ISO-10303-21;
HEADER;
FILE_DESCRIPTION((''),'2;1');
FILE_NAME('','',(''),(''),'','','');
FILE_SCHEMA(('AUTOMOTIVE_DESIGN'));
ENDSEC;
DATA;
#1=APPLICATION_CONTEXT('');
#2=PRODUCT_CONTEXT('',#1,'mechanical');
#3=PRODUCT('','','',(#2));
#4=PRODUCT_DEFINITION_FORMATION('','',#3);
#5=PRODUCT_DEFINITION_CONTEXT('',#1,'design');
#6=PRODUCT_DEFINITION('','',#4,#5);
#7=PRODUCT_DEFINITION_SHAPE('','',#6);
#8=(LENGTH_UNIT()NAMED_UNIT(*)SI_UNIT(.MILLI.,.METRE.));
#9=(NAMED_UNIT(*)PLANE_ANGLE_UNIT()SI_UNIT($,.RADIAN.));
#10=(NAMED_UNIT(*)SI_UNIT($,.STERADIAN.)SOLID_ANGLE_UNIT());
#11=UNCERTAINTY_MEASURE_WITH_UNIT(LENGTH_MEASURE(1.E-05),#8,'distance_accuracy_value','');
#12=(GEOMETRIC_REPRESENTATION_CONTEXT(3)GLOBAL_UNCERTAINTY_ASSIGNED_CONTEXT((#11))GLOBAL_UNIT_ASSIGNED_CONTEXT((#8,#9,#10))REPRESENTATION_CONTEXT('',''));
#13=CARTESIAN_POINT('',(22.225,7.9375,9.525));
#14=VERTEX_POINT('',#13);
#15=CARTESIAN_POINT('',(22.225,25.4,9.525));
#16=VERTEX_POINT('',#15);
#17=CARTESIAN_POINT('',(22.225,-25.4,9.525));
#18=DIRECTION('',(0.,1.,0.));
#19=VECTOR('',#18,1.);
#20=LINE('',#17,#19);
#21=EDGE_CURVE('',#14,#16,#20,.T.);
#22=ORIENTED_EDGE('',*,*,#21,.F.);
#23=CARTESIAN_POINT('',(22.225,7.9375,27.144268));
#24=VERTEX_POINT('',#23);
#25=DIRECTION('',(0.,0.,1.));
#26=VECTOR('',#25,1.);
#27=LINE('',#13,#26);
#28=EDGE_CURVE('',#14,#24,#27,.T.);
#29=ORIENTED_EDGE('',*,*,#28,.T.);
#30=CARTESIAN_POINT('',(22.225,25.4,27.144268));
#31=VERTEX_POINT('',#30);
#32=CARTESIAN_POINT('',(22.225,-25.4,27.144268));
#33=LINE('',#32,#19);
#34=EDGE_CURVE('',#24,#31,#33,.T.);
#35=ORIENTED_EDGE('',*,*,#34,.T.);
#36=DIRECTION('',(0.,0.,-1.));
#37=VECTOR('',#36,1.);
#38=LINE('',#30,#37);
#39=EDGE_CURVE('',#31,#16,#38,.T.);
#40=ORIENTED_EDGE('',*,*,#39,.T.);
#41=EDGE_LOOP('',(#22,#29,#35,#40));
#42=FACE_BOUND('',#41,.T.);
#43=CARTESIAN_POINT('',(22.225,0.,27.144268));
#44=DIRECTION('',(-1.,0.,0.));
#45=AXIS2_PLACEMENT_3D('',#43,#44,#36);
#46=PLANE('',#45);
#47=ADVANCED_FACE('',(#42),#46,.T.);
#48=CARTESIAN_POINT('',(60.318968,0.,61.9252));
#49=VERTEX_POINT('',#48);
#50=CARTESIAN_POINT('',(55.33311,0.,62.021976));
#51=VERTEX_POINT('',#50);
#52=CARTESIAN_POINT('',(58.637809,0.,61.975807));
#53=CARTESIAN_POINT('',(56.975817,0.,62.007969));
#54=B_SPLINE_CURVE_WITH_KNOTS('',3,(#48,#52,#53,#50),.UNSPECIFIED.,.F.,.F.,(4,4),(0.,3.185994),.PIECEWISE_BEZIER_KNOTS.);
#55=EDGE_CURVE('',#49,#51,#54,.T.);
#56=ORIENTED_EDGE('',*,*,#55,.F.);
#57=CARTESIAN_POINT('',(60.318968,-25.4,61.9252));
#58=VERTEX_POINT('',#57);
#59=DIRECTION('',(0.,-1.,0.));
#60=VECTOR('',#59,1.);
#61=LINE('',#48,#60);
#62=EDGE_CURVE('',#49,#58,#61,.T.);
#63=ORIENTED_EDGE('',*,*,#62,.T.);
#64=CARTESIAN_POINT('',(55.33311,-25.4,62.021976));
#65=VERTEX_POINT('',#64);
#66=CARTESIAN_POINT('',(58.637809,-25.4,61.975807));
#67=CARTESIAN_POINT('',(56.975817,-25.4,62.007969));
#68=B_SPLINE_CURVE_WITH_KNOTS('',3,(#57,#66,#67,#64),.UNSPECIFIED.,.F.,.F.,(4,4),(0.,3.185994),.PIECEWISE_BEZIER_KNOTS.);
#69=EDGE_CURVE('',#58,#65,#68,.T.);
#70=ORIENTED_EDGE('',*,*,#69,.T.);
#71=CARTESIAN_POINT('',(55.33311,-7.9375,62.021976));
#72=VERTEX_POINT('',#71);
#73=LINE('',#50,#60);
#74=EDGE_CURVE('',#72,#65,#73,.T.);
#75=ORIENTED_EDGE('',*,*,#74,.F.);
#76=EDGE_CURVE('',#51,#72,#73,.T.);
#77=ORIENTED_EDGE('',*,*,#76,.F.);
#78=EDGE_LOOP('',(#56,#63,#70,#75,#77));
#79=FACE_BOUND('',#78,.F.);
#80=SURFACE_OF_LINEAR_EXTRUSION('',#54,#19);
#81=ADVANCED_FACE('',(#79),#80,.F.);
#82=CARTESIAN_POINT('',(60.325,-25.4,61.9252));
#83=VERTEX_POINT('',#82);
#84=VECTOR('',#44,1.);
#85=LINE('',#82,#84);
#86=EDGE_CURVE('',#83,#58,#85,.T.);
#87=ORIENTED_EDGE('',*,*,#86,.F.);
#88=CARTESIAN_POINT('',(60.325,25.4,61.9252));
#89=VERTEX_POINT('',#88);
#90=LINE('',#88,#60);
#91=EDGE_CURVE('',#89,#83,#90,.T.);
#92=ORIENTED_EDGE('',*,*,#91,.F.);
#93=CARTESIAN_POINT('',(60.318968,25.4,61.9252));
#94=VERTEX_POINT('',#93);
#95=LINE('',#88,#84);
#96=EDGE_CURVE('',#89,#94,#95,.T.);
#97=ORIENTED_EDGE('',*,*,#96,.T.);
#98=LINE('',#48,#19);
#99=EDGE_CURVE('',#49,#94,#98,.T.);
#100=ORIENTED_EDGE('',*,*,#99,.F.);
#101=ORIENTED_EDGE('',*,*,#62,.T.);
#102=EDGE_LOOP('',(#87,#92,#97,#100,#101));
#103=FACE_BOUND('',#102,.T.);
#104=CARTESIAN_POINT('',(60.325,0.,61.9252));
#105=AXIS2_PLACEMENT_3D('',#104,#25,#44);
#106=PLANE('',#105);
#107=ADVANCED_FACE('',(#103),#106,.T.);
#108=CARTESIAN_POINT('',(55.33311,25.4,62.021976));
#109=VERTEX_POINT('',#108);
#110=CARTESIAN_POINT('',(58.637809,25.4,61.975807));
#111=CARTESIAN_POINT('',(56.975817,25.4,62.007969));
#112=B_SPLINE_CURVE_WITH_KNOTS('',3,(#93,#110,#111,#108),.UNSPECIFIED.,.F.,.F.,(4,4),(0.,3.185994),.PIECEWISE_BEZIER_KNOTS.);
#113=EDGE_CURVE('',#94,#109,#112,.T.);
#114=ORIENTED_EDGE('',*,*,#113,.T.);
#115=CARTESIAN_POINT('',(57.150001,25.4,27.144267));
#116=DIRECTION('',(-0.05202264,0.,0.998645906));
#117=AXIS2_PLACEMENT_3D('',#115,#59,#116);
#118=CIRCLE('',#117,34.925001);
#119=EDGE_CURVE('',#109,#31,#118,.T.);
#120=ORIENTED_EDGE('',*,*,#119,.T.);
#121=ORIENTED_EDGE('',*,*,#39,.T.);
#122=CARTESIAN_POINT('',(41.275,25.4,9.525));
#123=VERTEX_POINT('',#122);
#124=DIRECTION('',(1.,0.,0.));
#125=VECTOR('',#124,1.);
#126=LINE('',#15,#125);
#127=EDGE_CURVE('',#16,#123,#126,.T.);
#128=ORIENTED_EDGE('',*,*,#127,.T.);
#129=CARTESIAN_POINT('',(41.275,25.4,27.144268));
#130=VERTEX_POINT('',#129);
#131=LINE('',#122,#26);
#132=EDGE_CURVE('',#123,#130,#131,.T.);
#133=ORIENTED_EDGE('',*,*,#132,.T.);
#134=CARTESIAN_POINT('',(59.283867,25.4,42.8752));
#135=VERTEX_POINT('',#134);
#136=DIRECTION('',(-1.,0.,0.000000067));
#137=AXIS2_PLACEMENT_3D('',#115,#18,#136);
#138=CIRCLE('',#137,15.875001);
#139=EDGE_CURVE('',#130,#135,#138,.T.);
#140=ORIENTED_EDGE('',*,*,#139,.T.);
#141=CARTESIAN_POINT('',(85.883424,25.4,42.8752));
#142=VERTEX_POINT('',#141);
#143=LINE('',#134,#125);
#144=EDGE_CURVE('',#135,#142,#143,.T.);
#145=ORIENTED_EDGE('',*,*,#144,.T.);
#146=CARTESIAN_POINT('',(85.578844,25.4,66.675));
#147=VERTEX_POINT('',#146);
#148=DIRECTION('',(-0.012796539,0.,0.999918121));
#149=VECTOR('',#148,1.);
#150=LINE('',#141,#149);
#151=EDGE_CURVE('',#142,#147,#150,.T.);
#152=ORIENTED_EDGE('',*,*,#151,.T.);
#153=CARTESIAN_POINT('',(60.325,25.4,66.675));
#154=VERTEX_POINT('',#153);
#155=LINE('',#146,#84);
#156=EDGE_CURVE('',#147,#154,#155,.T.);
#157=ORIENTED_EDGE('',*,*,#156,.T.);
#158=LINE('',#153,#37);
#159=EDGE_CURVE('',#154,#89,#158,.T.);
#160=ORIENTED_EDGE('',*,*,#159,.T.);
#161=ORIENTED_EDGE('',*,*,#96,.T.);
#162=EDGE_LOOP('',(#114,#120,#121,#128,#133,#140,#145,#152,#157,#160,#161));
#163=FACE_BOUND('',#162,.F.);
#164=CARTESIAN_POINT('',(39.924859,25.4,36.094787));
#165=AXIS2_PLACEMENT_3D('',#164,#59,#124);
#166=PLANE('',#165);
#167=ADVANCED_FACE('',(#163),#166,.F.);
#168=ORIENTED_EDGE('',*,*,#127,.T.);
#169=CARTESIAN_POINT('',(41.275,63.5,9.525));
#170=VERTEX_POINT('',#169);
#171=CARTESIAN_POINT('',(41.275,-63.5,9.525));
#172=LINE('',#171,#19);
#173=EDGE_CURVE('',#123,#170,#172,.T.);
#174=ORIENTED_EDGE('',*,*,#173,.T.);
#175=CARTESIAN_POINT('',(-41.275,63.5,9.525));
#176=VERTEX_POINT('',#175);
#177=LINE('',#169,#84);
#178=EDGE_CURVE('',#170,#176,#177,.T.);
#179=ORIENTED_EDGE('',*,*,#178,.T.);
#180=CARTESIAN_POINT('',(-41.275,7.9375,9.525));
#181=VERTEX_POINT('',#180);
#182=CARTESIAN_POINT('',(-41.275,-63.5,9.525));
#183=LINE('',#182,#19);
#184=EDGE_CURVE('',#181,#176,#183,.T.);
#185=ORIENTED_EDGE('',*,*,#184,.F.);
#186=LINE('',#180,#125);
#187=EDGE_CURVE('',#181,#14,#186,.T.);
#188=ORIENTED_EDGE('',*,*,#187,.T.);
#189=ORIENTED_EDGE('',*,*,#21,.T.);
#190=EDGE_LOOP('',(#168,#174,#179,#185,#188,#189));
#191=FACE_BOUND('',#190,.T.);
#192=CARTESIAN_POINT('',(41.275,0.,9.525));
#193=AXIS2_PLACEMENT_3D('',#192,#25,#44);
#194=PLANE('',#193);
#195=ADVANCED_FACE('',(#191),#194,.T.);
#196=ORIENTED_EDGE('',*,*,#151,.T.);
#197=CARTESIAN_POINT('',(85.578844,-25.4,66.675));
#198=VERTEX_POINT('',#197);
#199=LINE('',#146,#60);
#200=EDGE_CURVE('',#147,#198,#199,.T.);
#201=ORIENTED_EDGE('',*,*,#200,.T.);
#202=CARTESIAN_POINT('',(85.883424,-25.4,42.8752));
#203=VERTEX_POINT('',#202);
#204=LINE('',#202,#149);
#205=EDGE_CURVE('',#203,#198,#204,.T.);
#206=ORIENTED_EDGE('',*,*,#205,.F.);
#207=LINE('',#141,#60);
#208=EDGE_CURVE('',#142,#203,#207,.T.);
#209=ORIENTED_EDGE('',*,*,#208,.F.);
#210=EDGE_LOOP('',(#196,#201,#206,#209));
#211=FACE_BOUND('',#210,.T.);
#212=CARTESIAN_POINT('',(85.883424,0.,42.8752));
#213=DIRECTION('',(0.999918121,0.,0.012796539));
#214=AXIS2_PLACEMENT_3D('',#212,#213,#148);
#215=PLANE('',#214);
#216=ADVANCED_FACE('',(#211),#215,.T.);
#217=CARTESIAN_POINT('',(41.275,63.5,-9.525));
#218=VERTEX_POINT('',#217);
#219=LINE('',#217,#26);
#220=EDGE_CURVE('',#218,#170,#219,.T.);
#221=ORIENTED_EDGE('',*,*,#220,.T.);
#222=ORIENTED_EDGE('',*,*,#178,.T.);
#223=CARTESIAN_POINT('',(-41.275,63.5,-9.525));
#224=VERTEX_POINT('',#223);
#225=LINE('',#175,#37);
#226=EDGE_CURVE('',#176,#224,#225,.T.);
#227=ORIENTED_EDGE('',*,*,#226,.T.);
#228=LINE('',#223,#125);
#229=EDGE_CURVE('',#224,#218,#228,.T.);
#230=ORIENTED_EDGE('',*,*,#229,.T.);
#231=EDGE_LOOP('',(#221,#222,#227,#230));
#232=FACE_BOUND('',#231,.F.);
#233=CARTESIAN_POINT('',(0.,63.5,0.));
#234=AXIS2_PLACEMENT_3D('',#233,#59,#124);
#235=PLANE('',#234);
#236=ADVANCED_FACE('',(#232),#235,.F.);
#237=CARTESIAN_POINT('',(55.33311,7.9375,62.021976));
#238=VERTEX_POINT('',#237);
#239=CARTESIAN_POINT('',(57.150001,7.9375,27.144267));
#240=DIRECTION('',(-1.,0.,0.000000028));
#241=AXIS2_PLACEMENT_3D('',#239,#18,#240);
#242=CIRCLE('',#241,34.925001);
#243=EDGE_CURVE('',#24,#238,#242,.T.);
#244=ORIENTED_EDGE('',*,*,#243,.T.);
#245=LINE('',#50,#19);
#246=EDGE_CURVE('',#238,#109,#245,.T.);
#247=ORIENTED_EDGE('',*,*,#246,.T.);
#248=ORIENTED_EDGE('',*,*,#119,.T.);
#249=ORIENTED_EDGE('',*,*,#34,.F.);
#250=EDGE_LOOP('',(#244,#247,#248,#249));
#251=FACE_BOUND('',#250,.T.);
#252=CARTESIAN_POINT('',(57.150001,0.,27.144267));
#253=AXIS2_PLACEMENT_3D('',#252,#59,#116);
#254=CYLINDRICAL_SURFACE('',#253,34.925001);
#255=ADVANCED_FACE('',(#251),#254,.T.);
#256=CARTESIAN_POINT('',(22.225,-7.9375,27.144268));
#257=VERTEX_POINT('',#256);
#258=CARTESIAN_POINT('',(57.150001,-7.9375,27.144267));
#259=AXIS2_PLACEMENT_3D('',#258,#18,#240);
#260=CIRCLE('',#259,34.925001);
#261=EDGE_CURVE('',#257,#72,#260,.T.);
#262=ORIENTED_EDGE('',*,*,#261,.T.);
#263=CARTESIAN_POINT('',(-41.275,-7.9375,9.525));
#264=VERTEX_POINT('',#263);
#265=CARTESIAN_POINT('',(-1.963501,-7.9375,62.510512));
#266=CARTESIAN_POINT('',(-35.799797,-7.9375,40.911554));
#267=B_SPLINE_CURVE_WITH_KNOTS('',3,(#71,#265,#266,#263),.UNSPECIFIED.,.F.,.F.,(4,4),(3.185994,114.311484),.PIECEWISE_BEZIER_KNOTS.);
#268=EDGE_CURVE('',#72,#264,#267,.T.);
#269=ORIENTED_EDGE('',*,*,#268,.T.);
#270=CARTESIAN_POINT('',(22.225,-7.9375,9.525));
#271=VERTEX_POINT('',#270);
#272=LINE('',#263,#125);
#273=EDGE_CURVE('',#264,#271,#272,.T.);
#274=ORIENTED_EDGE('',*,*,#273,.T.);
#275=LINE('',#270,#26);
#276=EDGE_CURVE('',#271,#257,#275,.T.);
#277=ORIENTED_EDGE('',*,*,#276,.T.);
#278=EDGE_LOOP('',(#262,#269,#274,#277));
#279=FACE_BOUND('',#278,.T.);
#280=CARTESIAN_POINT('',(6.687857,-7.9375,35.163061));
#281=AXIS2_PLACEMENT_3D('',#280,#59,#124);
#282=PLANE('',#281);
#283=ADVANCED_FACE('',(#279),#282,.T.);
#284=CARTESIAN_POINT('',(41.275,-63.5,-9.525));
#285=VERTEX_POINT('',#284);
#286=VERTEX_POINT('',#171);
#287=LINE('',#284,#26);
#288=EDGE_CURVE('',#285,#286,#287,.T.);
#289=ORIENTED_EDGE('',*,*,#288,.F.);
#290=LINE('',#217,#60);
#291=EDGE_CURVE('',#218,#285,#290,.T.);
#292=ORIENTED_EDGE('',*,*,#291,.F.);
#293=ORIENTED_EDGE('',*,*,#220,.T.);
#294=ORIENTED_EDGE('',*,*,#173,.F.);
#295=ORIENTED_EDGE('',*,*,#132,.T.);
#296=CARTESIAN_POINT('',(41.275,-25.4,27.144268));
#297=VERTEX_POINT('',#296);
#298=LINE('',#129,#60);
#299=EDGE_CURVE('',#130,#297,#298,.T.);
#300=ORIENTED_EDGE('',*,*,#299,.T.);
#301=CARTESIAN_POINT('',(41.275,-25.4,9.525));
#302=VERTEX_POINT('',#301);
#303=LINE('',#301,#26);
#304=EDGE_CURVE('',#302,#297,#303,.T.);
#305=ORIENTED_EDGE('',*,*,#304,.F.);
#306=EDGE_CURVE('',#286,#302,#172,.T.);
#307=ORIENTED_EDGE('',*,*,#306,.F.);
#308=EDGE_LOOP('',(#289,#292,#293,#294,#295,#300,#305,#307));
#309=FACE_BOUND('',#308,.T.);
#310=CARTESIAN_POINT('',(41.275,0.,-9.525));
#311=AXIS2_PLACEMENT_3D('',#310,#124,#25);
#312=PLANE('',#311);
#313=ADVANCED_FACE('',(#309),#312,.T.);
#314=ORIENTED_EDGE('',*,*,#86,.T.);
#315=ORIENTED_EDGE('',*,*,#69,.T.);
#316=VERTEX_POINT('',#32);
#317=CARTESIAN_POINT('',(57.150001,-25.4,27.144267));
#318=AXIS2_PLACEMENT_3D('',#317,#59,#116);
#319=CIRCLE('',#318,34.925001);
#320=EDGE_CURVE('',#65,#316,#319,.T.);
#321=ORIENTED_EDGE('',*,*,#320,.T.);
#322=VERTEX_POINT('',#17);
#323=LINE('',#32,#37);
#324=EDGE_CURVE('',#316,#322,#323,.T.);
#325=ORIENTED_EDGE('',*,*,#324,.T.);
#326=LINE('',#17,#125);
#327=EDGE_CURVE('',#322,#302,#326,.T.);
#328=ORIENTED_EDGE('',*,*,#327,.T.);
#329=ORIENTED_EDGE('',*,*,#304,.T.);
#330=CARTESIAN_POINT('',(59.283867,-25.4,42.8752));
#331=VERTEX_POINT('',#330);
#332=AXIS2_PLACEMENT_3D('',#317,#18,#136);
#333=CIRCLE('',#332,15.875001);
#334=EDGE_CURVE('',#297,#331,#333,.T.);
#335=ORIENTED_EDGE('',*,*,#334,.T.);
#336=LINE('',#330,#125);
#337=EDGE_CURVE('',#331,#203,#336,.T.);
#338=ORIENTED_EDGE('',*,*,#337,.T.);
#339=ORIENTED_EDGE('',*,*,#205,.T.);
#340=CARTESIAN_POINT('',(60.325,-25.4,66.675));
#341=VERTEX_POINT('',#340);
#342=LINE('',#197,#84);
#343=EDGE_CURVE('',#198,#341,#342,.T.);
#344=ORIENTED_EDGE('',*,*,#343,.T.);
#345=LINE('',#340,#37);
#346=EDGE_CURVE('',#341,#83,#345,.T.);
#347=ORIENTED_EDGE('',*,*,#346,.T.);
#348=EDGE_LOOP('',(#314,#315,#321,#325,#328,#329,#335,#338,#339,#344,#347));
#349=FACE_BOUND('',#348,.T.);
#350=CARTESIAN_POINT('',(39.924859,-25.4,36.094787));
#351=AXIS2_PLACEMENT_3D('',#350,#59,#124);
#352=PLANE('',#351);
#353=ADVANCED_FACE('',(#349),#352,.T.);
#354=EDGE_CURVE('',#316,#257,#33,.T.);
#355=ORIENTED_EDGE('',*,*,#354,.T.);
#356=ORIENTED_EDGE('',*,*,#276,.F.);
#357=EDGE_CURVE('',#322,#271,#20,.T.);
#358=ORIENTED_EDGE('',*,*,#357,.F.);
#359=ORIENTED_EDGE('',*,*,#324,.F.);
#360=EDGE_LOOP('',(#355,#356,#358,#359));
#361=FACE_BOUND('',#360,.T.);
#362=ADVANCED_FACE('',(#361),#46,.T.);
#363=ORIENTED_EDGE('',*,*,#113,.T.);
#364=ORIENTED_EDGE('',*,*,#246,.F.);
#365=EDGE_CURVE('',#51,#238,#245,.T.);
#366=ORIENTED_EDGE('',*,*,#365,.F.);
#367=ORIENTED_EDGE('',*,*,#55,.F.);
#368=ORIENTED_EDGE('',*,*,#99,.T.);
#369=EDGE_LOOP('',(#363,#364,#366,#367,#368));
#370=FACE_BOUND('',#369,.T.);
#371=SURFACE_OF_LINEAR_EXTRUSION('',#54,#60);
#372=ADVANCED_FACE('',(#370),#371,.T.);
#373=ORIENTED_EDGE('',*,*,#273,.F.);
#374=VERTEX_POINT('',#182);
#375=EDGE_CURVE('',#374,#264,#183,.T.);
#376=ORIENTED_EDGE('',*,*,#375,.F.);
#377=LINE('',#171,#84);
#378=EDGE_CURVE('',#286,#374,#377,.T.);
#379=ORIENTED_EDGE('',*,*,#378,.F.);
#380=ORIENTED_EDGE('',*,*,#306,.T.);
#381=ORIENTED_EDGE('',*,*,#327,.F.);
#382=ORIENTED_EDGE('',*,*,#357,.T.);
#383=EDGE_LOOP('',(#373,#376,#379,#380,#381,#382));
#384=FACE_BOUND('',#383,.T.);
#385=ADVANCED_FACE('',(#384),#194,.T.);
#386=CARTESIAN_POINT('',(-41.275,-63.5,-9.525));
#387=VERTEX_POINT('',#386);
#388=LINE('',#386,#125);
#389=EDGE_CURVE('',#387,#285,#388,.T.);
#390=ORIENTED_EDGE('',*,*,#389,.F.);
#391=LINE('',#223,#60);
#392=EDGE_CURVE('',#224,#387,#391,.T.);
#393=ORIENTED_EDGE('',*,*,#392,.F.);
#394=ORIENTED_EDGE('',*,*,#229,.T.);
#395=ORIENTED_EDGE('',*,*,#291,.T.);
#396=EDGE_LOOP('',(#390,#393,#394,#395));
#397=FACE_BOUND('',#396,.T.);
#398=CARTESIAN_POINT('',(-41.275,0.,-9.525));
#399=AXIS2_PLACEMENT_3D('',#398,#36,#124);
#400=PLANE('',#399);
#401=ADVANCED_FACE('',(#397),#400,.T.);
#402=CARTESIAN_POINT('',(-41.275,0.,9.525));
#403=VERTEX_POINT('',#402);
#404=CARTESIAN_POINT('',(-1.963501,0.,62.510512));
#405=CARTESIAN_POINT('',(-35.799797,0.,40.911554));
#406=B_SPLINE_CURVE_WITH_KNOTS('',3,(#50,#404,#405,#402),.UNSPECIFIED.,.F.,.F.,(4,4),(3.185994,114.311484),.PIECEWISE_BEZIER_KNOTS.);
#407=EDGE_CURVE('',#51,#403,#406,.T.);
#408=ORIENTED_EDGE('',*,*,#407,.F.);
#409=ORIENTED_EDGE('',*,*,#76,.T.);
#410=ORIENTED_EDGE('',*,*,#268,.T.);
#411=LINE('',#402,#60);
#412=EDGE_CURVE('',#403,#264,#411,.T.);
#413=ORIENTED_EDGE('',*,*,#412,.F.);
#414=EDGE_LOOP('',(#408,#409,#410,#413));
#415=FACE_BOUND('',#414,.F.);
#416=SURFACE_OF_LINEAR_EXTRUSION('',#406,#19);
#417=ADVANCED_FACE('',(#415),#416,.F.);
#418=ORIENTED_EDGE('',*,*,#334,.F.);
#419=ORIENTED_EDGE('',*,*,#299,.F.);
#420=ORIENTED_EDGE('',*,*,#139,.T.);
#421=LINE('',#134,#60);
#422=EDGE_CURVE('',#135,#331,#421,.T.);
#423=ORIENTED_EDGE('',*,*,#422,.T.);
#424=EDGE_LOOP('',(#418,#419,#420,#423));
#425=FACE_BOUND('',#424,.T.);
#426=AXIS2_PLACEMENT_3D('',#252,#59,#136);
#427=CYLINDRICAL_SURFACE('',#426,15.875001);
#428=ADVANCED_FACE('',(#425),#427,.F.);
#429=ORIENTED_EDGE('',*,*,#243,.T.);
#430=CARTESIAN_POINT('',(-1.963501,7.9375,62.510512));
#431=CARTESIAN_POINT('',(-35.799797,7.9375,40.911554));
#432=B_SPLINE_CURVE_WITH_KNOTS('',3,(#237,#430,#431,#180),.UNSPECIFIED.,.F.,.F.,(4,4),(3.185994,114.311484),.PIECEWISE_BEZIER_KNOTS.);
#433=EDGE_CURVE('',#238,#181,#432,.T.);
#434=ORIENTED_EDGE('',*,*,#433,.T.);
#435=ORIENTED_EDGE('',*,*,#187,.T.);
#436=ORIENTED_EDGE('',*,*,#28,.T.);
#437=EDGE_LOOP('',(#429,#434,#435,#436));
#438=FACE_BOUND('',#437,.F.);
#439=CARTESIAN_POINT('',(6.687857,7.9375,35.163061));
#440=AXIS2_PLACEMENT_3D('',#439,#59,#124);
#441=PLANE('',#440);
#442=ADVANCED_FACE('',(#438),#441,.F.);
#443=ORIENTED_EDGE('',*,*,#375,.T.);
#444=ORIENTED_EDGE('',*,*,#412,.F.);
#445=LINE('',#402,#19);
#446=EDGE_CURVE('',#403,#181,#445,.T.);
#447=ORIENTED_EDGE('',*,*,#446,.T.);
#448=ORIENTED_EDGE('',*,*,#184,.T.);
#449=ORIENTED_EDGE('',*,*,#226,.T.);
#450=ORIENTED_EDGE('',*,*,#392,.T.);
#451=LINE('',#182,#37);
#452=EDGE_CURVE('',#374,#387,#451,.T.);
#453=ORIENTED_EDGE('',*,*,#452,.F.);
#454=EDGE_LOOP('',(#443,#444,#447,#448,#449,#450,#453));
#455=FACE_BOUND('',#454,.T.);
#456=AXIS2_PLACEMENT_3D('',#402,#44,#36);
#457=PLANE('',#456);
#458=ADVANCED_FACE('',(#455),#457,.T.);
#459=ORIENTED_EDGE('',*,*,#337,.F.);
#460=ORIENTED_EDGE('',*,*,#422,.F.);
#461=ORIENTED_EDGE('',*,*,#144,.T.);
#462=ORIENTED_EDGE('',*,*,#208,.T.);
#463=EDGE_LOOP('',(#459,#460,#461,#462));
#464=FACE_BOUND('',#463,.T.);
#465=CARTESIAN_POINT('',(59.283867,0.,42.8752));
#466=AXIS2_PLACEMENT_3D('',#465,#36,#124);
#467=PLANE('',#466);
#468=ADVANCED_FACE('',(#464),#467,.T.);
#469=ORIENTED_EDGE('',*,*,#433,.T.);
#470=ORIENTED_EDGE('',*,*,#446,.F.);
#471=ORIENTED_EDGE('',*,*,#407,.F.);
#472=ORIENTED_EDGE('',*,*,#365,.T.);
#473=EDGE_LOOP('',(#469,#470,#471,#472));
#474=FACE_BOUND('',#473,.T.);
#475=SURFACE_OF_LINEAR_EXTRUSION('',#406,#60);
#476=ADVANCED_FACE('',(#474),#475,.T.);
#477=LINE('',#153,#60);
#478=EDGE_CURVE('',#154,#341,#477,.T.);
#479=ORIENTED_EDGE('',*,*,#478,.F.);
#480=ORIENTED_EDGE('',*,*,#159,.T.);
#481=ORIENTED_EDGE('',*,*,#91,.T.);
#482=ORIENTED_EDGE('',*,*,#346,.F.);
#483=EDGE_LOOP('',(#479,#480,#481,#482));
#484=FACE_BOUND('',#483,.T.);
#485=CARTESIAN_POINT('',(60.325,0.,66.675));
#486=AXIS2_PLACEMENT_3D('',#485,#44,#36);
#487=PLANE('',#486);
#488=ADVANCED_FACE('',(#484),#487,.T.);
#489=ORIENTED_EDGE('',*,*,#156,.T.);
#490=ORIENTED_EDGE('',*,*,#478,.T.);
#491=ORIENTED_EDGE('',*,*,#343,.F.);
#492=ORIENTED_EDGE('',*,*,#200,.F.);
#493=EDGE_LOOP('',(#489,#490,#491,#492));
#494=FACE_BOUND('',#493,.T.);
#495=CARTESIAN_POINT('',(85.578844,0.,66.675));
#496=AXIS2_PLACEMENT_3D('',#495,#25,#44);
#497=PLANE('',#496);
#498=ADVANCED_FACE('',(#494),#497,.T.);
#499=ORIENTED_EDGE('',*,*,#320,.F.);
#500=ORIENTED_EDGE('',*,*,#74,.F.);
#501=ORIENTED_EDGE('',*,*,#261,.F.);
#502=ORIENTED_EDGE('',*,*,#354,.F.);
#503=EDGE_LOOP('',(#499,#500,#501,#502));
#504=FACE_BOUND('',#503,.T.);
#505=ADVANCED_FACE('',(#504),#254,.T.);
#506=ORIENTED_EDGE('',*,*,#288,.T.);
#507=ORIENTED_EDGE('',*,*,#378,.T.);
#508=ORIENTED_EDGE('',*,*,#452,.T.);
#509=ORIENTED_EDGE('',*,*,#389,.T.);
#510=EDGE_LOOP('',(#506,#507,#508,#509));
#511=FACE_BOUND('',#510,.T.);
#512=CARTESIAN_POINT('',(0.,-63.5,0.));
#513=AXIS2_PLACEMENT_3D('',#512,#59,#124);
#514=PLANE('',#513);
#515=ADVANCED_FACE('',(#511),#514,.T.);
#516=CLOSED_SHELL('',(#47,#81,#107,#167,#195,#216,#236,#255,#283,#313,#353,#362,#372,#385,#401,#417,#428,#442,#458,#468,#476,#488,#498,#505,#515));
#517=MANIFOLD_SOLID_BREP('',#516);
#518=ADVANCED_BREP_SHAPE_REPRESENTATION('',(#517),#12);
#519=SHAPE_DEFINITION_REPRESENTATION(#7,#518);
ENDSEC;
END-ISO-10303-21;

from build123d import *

# Parameters (mm, degrees)
F1_DEPTH = 63.5
F2_DEPTH = 25.4
F3_DEPTH = 7.9375


with BuildPart() as f1:
    # F0 (on Front) → F1 (new body, symmetric)
    with BuildSketch(Plane.XZ):
        Polygon((-41.275, 9.525), (-41.275, -9.525), (41.275, -9.525), (41.275, 9.525), (22.225, 9.525), align=None)
    extrude(amount=F1_DEPTH, both=True)

    # F0 (on Front) → F2 (join, symmetric)
    with BuildSketch(Plane.XZ):
        with BuildLine():
            Line((22.225, 9.525), (41.275, 9.525))
            Line((41.275, 9.525), (41.275, 27.144268))
            ThreePointArc((41.275, 27.144268), (46.70633, 39.100244), (59.283867, 42.8752))
            Line((59.283867, 42.8752), (60.325, 42.8752))
            Line((60.325, 42.8752), (60.325, 61.9252))
            Line((60.325, 61.9252), (60.318968, 61.9252))
            add(Edge.make_bspline(
                [(60.318968, 61.9252), (58.637809, 61.975807), (56.975817, 62.007969), (55.33311, 62.021976)],
                knots=[0, 0, 0, 0, 3.185994, 3.185994, 3.185994, 3.185994], degree=3))
            ThreePointArc((55.33311, 62.021976), (31.820072, 51.189025), (22.225, 27.144268))
            Line((22.225, 27.144268), (22.225, 9.525))
        make_face()
        Polygon((60.325, 66.675), (60.325, 61.9252), (60.325, 42.8752), (85.883424, 42.8752), (85.578844, 66.675), align=None)
    extrude(amount=F2_DEPTH, both=True)

    # F0 (on Front) → F3 (join, symmetric)
    with BuildSketch(Plane.XZ):
        with BuildLine():
            add(Edge.make_bspline(
                [(55.33311, 62.021976), (-1.963501, 62.510512), (-35.799797, 40.911554), (-41.275, 9.525)],
                knots=[3.185994, 3.185994, 3.185994, 3.185994, 114.311484, 114.311484, 114.311484, 114.311484], degree=3))
            Line((-41.275, 9.525), (22.225, 9.525))
            Line((22.225, 9.525), (22.225, 27.144268))
            ThreePointArc((22.225, 27.144268), (31.820072, 51.189025), (55.33311, 62.021976))
        make_face()
    extrude(amount=F3_DEPTH, both=True)


solid = f1.part
